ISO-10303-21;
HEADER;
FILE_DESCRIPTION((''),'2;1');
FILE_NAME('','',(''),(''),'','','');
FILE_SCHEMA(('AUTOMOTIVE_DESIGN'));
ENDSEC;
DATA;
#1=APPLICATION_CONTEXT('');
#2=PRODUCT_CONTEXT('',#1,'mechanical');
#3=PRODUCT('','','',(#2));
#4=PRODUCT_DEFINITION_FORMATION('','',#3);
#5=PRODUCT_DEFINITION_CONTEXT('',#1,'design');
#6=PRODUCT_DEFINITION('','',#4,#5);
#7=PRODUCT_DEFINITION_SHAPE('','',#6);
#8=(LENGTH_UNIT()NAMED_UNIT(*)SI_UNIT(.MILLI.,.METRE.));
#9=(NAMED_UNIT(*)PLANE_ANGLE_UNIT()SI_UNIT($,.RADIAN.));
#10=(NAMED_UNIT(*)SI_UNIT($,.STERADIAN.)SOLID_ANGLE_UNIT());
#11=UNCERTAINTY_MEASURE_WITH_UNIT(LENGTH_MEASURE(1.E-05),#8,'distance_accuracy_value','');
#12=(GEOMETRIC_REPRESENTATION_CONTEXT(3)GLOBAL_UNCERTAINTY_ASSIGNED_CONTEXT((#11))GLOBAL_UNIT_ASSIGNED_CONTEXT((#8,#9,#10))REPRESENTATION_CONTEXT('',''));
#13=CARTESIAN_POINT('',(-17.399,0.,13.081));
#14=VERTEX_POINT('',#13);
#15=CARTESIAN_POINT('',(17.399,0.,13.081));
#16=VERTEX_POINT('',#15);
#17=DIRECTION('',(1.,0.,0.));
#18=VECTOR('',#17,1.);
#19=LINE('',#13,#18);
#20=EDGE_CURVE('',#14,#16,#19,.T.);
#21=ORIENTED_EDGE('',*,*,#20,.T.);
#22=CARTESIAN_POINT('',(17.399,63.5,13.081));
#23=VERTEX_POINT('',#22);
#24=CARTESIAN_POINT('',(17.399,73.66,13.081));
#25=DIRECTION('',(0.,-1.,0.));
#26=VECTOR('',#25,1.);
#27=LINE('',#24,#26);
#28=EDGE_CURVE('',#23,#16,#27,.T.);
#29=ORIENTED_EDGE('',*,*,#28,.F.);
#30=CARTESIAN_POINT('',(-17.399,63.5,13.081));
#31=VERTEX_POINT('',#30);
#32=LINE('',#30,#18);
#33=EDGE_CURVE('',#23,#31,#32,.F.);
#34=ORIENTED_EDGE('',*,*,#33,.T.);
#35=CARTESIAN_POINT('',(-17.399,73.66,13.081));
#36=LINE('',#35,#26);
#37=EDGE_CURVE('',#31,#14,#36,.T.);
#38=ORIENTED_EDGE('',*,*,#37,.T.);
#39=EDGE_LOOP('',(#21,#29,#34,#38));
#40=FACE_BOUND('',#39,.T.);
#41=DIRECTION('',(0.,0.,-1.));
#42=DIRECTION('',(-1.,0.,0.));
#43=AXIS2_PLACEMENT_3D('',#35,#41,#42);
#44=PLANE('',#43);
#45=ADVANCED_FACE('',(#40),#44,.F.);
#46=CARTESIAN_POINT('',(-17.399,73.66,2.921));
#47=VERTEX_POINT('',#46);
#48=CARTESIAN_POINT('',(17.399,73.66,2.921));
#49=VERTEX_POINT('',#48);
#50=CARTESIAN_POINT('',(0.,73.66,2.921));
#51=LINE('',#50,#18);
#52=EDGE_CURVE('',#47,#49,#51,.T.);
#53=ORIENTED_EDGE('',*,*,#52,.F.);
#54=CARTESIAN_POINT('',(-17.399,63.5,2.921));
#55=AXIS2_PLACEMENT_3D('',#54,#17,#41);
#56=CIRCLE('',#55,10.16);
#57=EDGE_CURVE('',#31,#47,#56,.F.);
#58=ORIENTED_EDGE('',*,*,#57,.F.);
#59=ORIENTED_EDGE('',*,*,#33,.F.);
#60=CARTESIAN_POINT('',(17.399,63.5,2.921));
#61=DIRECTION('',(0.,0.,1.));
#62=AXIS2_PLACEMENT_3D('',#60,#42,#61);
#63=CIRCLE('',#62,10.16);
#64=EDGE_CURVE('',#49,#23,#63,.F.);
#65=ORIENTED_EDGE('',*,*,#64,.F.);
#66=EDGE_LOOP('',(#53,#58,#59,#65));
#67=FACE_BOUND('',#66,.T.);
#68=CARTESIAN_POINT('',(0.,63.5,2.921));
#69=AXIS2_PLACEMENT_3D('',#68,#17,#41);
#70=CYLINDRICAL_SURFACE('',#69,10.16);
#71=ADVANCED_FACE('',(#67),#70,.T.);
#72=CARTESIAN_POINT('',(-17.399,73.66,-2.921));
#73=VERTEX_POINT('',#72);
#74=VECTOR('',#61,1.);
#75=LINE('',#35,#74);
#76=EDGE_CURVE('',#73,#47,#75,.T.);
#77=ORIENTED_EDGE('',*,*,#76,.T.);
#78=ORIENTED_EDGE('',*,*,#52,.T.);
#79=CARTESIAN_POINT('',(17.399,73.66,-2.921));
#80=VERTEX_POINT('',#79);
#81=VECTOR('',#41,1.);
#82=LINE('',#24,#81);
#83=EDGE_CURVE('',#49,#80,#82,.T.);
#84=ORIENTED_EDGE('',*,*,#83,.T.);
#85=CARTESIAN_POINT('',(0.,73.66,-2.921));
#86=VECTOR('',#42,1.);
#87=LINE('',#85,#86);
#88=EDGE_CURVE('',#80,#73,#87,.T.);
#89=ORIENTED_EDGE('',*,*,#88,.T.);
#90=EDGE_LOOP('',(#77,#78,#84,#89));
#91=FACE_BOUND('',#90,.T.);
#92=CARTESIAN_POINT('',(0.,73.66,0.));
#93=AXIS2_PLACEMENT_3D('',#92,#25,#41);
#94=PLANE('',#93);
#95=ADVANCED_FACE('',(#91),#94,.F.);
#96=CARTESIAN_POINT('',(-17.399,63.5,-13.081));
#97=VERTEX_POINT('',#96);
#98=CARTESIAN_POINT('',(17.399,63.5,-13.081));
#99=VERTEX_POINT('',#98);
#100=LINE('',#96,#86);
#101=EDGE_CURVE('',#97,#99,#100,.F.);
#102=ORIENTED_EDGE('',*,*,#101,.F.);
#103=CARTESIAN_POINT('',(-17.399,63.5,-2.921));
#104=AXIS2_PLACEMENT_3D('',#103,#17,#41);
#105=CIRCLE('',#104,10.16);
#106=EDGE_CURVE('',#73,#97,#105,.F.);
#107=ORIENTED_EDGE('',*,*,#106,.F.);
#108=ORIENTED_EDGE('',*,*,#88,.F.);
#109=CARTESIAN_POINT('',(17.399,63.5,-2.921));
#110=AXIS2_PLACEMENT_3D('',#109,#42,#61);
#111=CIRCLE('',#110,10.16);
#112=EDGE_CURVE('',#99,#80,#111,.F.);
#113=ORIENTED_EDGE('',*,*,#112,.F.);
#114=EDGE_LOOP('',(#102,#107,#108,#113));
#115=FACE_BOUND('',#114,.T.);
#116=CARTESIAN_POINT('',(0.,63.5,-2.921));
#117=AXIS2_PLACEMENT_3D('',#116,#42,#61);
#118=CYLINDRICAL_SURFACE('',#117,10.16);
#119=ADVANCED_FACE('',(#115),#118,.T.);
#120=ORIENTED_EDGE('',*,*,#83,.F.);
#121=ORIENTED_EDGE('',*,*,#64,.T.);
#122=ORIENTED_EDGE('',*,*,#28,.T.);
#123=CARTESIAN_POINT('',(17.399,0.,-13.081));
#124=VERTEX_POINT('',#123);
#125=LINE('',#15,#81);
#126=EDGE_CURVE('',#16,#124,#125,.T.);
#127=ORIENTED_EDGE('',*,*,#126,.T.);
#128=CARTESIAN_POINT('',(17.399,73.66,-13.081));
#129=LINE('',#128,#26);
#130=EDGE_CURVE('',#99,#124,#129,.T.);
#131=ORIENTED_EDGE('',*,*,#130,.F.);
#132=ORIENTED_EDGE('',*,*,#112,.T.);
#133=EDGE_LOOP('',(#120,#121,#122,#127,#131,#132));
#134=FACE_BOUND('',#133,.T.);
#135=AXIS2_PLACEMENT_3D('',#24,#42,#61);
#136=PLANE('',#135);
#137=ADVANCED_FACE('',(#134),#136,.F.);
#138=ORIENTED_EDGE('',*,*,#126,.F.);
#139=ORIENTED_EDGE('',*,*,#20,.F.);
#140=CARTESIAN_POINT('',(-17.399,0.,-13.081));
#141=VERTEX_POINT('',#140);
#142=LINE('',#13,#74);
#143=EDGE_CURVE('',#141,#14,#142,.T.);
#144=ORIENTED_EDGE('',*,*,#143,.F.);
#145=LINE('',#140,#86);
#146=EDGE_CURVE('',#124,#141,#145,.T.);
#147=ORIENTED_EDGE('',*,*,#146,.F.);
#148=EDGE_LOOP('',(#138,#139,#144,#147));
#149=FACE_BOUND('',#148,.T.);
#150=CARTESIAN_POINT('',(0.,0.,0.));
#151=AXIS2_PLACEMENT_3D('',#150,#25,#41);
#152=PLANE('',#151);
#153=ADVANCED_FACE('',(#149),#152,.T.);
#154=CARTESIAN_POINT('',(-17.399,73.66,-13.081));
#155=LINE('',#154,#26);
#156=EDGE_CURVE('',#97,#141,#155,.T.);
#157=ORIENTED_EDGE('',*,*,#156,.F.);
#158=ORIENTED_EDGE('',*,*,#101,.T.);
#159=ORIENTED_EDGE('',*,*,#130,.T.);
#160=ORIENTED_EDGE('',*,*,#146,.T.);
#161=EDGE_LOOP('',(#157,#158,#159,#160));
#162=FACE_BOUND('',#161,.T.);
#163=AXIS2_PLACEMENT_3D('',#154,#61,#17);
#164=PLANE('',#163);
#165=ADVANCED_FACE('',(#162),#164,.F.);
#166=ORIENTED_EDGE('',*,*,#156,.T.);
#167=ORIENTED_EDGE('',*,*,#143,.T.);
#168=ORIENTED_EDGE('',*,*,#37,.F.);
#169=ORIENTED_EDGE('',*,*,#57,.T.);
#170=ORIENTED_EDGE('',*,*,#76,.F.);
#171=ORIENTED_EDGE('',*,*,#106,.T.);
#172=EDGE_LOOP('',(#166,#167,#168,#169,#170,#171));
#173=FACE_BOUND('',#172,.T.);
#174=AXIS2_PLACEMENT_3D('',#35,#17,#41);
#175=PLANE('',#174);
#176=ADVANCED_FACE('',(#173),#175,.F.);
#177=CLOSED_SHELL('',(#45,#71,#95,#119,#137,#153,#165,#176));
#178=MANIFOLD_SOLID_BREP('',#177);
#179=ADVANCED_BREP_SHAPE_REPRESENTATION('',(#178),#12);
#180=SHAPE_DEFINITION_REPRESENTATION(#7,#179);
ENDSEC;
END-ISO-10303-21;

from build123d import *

# Parameters (mm, degrees)
SKETCH1_W           = 34.798
SKETCH1_H           = 26.162
BOSS_EXTRUDE1_DEPTH = 73.66
FILLET1_R           = 10.16


with BuildPart() as part:
    # Sketch1 → Boss-Extrude1 (new body)
    with BuildSketch(Plane(origin=(0, 0, 0), x_dir=(1, 0, 0), z_dir=(0, 1, 0))):
        Rectangle(SKETCH1_W, SKETCH1_H)
    extrude(amount=BOSS_EXTRUDE1_DEPTH)

    # Fillet1
    fillet1_edges = [part.edges().sort_by_distance(p)[0] for p in [
        (0, 73.66, 13.081),
        (0, 73.66, -13.081),
    ]]
    fillet(fillet1_edges, radius=FILLET1_R)


solid = part.part
